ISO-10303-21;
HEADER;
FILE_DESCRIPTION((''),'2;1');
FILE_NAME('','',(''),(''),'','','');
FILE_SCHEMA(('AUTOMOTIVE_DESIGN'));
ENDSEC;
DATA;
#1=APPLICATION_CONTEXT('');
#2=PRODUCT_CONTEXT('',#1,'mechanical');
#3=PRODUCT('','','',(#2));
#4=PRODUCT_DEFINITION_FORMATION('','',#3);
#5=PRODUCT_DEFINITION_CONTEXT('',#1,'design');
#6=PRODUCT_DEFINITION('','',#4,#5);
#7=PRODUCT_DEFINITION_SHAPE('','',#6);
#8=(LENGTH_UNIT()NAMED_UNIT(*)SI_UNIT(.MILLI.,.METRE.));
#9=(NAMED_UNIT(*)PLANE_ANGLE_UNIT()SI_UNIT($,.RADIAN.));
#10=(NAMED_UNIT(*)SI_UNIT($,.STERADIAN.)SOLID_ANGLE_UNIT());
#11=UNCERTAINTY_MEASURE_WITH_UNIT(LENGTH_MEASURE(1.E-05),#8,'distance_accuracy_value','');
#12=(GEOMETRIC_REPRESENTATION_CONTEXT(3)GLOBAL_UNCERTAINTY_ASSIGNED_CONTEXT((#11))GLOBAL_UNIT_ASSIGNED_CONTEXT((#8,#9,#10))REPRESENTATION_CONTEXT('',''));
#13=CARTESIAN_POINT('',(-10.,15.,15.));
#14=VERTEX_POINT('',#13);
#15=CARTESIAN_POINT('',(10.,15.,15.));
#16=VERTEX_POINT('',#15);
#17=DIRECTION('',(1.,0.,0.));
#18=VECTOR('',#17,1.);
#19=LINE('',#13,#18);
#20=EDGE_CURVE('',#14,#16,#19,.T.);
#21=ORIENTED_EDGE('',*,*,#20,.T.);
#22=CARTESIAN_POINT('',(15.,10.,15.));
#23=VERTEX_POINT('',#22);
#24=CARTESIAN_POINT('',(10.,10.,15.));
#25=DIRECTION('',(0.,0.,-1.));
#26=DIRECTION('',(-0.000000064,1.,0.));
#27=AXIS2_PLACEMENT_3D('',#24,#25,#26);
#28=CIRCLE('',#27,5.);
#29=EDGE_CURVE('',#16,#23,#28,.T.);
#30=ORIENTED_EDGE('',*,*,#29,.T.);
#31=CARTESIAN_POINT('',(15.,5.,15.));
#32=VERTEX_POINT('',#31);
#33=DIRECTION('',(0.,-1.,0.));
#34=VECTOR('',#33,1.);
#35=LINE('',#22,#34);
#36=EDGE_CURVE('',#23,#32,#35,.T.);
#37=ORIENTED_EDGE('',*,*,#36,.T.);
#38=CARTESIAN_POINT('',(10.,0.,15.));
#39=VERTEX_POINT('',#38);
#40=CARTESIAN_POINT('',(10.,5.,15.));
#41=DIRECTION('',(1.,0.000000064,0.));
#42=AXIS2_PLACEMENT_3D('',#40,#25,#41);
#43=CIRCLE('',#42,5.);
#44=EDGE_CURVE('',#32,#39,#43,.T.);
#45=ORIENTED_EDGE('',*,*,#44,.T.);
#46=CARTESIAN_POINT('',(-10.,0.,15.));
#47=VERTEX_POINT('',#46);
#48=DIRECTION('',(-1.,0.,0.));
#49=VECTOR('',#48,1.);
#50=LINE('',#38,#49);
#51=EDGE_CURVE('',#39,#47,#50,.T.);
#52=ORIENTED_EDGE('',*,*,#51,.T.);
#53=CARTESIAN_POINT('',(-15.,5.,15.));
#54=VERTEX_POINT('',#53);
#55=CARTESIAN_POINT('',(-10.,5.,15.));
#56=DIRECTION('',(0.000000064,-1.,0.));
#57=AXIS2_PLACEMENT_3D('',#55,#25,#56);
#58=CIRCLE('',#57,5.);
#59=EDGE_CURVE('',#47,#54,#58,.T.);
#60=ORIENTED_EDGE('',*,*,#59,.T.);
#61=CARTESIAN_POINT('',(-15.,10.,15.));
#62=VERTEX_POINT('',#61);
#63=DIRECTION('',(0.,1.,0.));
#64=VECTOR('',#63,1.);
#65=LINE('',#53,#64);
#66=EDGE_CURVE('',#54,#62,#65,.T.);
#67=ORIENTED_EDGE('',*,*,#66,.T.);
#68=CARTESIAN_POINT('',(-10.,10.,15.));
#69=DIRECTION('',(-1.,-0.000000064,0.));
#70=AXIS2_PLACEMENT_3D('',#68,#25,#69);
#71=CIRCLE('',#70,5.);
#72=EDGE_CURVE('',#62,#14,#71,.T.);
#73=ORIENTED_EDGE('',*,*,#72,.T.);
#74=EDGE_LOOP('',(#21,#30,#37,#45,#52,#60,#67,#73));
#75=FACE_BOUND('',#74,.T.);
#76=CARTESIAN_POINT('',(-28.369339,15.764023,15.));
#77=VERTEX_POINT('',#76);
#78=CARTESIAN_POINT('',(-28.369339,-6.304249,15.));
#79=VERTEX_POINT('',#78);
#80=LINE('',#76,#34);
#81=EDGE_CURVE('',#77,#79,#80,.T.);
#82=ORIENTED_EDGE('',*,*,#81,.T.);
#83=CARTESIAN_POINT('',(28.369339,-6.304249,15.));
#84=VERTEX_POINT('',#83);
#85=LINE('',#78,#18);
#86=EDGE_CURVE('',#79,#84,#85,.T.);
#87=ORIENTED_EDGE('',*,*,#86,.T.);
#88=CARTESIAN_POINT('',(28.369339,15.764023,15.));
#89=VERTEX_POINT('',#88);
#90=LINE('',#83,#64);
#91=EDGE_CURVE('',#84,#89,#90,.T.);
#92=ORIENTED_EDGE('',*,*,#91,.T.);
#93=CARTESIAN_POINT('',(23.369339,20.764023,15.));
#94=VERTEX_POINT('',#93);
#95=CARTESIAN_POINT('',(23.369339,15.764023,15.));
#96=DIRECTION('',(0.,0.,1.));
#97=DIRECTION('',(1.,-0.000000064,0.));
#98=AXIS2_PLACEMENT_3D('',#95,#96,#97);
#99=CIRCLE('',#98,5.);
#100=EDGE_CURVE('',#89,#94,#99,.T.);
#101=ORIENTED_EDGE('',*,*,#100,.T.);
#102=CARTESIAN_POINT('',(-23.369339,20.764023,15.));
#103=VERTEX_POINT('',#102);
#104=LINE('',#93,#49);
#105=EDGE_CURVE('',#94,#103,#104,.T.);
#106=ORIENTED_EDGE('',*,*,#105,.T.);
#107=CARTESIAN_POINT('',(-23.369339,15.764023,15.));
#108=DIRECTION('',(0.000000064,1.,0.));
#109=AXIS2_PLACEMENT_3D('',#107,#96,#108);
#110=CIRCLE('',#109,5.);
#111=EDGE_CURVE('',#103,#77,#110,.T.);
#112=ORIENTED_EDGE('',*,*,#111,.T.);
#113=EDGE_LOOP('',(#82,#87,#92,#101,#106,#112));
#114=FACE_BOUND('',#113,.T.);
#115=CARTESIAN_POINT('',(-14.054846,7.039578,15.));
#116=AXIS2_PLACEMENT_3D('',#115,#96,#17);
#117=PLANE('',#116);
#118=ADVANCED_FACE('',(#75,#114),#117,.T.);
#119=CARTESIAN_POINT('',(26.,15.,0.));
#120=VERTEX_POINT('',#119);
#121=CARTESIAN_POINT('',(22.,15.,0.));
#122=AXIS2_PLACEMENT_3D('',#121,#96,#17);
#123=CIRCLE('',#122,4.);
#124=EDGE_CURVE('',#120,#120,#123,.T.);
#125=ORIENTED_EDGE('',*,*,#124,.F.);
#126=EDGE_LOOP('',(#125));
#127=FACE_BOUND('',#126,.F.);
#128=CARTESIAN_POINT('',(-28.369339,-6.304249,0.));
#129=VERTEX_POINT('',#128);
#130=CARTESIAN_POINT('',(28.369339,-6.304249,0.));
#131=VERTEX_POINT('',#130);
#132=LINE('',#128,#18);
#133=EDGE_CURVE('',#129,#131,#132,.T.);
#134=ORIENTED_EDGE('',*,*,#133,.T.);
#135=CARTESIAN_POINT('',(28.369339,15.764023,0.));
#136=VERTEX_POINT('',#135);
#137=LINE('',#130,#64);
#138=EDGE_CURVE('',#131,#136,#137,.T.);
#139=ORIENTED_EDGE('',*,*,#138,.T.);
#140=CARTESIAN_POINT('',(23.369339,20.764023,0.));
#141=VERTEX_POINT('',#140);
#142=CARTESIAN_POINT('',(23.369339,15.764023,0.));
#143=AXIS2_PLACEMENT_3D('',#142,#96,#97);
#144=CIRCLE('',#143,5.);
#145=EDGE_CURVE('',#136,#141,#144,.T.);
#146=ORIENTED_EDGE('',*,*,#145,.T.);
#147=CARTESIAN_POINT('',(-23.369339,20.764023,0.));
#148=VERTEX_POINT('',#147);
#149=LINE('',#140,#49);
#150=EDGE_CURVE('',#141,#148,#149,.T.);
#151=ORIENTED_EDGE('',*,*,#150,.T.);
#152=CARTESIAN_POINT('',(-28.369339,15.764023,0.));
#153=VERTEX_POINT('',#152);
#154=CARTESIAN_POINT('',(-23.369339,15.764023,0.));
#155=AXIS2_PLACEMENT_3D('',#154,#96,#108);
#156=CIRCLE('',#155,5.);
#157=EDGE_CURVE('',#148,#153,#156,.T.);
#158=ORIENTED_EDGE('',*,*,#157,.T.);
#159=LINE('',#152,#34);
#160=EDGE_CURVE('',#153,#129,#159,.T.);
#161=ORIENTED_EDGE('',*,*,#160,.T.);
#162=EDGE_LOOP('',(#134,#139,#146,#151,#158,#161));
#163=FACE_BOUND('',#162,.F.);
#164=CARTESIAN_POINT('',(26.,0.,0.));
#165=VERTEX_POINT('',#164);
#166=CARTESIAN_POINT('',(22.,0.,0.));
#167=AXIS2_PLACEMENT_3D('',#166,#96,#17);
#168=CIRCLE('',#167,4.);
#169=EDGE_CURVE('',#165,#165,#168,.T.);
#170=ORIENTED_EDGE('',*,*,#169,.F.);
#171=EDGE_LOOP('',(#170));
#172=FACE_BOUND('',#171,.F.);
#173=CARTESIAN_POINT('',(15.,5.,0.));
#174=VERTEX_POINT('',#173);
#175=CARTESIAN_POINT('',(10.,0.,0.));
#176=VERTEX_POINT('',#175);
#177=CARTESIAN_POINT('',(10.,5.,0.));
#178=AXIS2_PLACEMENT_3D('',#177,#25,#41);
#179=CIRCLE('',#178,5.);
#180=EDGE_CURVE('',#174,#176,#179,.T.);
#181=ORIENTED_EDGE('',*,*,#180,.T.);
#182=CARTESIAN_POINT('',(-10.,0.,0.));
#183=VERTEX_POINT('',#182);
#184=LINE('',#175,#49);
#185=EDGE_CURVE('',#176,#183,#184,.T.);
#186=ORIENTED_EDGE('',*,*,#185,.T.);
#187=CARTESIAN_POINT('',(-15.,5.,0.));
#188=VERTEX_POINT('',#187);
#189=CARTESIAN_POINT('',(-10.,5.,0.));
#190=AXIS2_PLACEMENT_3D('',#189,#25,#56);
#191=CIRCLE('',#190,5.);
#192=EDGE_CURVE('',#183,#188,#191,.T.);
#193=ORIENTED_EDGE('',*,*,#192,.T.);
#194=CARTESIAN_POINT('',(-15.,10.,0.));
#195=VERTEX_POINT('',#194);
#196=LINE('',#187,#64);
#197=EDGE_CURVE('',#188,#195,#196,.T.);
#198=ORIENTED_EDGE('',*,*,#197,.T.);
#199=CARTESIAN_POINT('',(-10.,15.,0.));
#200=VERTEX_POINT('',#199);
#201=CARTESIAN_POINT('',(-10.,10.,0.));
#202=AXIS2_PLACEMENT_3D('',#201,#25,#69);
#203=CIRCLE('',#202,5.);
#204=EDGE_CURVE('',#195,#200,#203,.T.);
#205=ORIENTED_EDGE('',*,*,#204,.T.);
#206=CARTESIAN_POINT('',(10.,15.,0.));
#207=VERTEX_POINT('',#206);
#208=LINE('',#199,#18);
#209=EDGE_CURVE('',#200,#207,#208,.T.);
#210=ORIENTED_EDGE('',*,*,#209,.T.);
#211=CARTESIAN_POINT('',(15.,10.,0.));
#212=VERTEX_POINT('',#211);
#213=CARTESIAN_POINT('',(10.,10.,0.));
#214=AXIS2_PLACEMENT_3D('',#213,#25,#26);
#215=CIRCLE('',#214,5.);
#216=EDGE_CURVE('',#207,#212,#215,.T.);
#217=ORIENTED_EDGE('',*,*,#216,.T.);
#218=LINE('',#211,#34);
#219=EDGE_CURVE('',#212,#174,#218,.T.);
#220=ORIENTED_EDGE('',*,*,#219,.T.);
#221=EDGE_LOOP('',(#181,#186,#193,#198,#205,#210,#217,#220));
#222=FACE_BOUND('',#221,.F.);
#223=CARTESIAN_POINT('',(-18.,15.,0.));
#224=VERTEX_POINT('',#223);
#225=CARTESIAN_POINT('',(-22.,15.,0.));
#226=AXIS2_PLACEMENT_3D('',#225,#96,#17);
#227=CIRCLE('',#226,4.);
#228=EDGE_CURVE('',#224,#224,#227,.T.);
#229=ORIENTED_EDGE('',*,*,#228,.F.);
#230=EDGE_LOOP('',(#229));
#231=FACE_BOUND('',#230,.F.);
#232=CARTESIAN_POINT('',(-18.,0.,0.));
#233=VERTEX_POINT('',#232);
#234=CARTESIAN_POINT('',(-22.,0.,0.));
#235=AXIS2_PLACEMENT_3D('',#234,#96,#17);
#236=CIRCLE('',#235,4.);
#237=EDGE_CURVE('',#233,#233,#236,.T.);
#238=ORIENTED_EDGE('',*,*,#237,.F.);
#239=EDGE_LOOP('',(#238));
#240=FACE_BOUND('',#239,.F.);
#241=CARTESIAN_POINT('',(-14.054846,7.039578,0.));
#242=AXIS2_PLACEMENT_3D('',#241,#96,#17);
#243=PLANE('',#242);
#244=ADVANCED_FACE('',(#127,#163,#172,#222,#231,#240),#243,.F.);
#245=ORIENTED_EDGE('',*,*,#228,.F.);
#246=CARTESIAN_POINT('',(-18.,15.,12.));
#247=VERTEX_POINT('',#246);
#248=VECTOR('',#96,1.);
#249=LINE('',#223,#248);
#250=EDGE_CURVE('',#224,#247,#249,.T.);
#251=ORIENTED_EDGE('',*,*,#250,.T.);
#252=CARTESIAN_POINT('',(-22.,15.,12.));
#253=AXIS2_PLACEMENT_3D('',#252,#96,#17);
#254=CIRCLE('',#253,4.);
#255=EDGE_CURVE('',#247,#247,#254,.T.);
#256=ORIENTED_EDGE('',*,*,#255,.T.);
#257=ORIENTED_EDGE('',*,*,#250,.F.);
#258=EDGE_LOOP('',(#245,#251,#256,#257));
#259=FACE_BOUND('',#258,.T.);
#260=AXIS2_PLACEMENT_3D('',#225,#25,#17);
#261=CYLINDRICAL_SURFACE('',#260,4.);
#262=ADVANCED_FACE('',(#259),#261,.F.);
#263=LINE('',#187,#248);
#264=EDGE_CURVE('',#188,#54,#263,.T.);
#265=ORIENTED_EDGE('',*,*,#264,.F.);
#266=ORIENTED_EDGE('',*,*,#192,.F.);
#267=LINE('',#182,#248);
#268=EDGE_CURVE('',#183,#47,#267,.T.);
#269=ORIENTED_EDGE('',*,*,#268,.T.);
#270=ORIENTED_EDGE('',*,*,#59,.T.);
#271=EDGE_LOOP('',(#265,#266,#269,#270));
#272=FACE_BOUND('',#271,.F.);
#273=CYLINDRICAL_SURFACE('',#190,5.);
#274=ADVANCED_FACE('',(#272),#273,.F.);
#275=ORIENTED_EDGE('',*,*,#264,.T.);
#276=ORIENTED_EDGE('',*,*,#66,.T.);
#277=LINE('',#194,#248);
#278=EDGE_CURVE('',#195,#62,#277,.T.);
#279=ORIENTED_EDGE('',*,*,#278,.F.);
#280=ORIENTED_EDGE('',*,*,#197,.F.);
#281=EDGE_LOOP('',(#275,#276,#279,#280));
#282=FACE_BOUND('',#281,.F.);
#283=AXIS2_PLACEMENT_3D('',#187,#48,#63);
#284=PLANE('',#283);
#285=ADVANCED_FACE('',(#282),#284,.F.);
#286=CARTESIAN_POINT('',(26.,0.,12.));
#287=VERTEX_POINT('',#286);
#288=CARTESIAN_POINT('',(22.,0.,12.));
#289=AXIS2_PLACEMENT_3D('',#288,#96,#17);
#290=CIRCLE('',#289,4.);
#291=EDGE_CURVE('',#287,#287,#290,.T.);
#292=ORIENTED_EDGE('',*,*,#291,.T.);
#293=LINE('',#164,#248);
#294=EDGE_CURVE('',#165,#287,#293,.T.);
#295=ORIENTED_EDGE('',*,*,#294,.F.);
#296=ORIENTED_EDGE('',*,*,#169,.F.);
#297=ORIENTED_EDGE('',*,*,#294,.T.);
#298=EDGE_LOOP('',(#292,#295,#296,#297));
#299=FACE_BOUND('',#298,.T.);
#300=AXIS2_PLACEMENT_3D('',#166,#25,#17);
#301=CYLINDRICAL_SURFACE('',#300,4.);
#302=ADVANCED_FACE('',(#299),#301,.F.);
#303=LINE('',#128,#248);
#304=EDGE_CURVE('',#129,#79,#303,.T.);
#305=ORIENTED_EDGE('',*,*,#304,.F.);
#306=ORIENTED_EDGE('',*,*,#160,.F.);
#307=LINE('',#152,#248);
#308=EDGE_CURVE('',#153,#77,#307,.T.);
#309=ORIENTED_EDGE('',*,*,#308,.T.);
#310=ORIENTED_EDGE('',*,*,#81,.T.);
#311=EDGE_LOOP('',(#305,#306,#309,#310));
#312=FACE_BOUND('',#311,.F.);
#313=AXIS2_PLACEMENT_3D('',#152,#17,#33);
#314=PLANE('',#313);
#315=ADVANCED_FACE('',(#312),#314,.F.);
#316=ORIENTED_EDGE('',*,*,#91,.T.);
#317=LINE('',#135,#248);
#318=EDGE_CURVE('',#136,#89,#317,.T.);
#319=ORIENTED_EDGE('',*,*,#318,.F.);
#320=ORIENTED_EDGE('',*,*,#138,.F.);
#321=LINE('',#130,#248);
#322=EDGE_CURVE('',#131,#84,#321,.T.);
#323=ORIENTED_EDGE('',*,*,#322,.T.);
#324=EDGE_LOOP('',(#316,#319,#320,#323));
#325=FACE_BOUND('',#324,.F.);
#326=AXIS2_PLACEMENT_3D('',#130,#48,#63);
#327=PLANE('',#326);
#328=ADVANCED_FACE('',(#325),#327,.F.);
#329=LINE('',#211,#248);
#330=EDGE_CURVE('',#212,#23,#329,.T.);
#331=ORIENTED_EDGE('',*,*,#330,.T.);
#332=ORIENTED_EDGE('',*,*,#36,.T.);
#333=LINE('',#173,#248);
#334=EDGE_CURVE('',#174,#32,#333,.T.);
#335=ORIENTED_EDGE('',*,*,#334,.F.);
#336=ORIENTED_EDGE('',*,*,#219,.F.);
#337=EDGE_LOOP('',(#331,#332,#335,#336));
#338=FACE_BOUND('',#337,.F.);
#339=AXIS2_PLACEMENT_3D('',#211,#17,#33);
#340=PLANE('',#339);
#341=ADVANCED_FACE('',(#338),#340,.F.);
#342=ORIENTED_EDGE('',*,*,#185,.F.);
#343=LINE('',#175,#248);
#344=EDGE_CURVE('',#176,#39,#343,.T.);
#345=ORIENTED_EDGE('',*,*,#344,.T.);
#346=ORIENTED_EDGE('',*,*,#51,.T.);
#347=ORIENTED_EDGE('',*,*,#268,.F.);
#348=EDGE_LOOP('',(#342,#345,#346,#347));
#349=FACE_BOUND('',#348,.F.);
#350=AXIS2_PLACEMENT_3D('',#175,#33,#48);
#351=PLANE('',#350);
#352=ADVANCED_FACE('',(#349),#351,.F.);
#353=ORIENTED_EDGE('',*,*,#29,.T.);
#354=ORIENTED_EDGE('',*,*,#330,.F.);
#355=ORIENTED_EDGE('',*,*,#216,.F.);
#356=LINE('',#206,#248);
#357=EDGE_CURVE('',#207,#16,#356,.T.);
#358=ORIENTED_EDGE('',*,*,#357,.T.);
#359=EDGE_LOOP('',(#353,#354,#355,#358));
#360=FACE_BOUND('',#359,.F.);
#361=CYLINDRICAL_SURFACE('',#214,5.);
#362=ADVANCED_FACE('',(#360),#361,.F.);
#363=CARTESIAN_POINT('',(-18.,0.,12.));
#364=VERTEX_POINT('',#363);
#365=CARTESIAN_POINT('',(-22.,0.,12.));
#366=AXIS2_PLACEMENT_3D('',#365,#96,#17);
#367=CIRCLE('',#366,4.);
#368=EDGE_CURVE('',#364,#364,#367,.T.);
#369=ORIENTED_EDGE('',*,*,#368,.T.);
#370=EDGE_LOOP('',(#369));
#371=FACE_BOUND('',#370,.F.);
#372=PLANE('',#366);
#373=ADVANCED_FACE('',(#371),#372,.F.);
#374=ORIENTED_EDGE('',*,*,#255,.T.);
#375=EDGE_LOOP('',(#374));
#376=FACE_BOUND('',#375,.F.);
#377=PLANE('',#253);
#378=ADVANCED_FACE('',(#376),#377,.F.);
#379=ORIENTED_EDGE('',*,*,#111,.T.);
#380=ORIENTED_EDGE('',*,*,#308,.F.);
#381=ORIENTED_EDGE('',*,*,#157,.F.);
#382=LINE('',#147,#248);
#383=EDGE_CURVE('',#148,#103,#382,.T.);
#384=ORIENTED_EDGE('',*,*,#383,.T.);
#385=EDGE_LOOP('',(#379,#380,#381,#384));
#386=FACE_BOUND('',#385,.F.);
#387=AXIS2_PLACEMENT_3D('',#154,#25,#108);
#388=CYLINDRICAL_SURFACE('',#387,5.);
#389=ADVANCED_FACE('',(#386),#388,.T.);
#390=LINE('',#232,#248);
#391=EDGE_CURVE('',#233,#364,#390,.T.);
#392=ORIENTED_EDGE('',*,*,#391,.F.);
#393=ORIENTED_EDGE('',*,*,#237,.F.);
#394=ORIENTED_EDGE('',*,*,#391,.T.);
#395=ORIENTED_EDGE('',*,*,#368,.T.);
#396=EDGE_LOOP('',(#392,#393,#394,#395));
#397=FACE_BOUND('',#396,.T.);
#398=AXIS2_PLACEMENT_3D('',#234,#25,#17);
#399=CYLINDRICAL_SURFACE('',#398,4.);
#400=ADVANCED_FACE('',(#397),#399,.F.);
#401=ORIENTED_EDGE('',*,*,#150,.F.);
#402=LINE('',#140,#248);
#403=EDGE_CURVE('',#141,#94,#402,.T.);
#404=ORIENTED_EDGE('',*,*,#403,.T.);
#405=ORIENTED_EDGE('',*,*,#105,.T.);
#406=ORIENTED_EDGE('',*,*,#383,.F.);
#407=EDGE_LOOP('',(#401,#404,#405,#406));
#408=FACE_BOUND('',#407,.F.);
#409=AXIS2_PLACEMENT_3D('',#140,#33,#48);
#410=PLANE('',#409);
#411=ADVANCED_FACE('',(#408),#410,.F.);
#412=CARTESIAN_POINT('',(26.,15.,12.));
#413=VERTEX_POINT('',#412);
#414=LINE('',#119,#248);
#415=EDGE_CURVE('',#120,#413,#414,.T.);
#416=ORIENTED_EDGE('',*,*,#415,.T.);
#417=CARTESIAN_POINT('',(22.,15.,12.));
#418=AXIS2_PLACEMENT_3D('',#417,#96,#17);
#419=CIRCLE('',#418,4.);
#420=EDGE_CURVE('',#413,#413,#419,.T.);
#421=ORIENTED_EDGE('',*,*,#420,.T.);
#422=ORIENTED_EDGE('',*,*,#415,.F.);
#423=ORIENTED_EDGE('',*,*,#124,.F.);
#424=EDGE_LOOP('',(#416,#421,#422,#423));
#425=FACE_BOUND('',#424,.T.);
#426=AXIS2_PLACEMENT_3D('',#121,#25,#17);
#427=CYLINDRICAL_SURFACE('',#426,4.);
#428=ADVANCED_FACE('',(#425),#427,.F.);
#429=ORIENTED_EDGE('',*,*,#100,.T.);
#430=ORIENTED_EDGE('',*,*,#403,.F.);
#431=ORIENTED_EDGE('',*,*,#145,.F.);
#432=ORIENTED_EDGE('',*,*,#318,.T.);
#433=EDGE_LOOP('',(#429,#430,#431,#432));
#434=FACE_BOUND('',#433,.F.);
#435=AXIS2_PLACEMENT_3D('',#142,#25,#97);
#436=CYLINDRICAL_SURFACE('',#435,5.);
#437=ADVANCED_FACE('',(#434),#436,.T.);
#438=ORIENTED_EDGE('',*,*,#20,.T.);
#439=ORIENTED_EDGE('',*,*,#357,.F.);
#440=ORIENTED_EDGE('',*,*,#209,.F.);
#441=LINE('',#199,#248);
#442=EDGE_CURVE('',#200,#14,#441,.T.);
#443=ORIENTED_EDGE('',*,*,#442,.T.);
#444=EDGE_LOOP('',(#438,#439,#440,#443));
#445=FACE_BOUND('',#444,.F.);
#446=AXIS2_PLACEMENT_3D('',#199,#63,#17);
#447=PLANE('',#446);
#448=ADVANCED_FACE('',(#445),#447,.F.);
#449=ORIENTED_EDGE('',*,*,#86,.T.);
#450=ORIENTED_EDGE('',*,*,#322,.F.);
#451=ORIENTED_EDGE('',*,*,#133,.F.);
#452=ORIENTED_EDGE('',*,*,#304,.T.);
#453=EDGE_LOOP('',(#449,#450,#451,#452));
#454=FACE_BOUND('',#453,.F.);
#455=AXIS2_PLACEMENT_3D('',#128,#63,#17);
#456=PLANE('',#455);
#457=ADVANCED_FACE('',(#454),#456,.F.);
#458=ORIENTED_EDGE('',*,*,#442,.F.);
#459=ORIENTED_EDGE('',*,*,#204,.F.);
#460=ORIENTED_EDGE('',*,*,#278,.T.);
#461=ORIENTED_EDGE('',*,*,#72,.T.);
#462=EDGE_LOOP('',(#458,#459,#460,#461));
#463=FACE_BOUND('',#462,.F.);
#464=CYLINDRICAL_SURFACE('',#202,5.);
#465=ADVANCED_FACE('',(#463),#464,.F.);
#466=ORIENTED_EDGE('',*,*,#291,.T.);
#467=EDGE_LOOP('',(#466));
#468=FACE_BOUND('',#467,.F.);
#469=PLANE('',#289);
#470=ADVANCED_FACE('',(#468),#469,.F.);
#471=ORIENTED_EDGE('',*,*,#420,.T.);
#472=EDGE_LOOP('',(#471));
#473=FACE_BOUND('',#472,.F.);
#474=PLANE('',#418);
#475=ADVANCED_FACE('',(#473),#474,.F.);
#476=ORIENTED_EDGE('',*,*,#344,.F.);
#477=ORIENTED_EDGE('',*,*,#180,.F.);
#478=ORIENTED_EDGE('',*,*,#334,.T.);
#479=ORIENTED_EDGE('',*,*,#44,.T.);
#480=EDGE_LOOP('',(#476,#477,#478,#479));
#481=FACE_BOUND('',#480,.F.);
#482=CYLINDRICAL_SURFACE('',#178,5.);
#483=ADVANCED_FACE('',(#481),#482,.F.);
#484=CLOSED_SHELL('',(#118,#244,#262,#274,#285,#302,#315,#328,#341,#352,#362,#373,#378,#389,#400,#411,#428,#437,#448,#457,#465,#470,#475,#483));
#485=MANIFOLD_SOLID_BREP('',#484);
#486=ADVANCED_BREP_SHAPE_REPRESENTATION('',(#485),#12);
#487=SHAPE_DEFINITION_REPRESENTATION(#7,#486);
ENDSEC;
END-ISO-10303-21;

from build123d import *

# Parameters (mm, degrees)
F0_R     = 4
F1_DEPTH = 15
F2_DEPTH = 12


with BuildPart() as f1:
    # F0 (on Top) → F1 (new body)
    with BuildSketch(Plane.XY):
        with BuildLine():
            Line((0, 15), (0, 20.764023))
            Line((0, 20.764023), (-23.369339, 20.764023))
            ThreePointArc((-23.369339, 20.764023), (-26.904873, 19.299557), (-28.369339, 15.764023))
            Line((-28.369339, 15.764023), (-28.369339, -6.304249))
            Line((-28.369339, -6.304249), (0, -6.304249))
            Line((0, -6.304249), (0, 0))
            Line((0, 0), (-10, 0))
            ThreePointArc((-10, 0), (-13.535534, 1.464466), (-15, 5))
            Line((-15, 5), (-15, 10))
            ThreePointArc((-15, 10), (-13.535534, 13.535534), (-10, 15))
            Line((-10, 15), (0, 15))
        make_face()
        with Locations((-22, 0)):
            Circle(F0_R, mode=Mode.SUBTRACT)
        with Locations((-22, 15)):
            Circle(F0_R, mode=Mode.SUBTRACT)
        with BuildLine():
            Line((23.369339, 20.764023), (0, 20.764023))
            Line((0, 20.764023), (0, 15))
            Line((0, 15), (10, 15))
            ThreePointArc((10, 15), (13.535534, 13.535534), (15, 10))
            Line((15, 10), (15, 5))
            ThreePointArc((15, 5), (13.535534, 1.464466), (10, 0))
            Line((10, 0), (0, 0))
            Line((0, 0), (0, -6.304249))
            Line((0, -6.304249), (28.369339, -6.304249))
            Line((28.369339, -6.304249), (28.369339, 15.764023))
            ThreePointArc((28.369339, 15.764023), (26.904873, 19.299557), (23.369339, 20.764023))
        make_face()
        with Locations((22, 0)):
            Circle(F0_R, mode=Mode.SUBTRACT)
        with Locations((22, 15)):
            Circle(F0_R, mode=Mode.SUBTRACT)
        with Locations((-22, 15)):
            Circle(F0_R)
        with Locations((-22, 0)):
            Circle(F0_R)
        with Locations((22, 15)):
            Circle(F0_R)
        with Locations((22, 0)):
            Circle(F0_R)
    extrude(amount=F1_DEPTH)

    # F0 (on Top) → F2 (cut)
    with BuildSketch(Plane.XY):
        with Locations((22, 15)):
            Circle(F0_R)
        with Locations((22, 0)):
            Circle(F0_R)
        with Locations((-22, 15)):
            Circle(F0_R)
        with Locations((-22, 0)):
            Circle(F0_R)
    extrude(amount=F2_DEPTH, mode=Mode.SUBTRACT)


solid = f1.part
